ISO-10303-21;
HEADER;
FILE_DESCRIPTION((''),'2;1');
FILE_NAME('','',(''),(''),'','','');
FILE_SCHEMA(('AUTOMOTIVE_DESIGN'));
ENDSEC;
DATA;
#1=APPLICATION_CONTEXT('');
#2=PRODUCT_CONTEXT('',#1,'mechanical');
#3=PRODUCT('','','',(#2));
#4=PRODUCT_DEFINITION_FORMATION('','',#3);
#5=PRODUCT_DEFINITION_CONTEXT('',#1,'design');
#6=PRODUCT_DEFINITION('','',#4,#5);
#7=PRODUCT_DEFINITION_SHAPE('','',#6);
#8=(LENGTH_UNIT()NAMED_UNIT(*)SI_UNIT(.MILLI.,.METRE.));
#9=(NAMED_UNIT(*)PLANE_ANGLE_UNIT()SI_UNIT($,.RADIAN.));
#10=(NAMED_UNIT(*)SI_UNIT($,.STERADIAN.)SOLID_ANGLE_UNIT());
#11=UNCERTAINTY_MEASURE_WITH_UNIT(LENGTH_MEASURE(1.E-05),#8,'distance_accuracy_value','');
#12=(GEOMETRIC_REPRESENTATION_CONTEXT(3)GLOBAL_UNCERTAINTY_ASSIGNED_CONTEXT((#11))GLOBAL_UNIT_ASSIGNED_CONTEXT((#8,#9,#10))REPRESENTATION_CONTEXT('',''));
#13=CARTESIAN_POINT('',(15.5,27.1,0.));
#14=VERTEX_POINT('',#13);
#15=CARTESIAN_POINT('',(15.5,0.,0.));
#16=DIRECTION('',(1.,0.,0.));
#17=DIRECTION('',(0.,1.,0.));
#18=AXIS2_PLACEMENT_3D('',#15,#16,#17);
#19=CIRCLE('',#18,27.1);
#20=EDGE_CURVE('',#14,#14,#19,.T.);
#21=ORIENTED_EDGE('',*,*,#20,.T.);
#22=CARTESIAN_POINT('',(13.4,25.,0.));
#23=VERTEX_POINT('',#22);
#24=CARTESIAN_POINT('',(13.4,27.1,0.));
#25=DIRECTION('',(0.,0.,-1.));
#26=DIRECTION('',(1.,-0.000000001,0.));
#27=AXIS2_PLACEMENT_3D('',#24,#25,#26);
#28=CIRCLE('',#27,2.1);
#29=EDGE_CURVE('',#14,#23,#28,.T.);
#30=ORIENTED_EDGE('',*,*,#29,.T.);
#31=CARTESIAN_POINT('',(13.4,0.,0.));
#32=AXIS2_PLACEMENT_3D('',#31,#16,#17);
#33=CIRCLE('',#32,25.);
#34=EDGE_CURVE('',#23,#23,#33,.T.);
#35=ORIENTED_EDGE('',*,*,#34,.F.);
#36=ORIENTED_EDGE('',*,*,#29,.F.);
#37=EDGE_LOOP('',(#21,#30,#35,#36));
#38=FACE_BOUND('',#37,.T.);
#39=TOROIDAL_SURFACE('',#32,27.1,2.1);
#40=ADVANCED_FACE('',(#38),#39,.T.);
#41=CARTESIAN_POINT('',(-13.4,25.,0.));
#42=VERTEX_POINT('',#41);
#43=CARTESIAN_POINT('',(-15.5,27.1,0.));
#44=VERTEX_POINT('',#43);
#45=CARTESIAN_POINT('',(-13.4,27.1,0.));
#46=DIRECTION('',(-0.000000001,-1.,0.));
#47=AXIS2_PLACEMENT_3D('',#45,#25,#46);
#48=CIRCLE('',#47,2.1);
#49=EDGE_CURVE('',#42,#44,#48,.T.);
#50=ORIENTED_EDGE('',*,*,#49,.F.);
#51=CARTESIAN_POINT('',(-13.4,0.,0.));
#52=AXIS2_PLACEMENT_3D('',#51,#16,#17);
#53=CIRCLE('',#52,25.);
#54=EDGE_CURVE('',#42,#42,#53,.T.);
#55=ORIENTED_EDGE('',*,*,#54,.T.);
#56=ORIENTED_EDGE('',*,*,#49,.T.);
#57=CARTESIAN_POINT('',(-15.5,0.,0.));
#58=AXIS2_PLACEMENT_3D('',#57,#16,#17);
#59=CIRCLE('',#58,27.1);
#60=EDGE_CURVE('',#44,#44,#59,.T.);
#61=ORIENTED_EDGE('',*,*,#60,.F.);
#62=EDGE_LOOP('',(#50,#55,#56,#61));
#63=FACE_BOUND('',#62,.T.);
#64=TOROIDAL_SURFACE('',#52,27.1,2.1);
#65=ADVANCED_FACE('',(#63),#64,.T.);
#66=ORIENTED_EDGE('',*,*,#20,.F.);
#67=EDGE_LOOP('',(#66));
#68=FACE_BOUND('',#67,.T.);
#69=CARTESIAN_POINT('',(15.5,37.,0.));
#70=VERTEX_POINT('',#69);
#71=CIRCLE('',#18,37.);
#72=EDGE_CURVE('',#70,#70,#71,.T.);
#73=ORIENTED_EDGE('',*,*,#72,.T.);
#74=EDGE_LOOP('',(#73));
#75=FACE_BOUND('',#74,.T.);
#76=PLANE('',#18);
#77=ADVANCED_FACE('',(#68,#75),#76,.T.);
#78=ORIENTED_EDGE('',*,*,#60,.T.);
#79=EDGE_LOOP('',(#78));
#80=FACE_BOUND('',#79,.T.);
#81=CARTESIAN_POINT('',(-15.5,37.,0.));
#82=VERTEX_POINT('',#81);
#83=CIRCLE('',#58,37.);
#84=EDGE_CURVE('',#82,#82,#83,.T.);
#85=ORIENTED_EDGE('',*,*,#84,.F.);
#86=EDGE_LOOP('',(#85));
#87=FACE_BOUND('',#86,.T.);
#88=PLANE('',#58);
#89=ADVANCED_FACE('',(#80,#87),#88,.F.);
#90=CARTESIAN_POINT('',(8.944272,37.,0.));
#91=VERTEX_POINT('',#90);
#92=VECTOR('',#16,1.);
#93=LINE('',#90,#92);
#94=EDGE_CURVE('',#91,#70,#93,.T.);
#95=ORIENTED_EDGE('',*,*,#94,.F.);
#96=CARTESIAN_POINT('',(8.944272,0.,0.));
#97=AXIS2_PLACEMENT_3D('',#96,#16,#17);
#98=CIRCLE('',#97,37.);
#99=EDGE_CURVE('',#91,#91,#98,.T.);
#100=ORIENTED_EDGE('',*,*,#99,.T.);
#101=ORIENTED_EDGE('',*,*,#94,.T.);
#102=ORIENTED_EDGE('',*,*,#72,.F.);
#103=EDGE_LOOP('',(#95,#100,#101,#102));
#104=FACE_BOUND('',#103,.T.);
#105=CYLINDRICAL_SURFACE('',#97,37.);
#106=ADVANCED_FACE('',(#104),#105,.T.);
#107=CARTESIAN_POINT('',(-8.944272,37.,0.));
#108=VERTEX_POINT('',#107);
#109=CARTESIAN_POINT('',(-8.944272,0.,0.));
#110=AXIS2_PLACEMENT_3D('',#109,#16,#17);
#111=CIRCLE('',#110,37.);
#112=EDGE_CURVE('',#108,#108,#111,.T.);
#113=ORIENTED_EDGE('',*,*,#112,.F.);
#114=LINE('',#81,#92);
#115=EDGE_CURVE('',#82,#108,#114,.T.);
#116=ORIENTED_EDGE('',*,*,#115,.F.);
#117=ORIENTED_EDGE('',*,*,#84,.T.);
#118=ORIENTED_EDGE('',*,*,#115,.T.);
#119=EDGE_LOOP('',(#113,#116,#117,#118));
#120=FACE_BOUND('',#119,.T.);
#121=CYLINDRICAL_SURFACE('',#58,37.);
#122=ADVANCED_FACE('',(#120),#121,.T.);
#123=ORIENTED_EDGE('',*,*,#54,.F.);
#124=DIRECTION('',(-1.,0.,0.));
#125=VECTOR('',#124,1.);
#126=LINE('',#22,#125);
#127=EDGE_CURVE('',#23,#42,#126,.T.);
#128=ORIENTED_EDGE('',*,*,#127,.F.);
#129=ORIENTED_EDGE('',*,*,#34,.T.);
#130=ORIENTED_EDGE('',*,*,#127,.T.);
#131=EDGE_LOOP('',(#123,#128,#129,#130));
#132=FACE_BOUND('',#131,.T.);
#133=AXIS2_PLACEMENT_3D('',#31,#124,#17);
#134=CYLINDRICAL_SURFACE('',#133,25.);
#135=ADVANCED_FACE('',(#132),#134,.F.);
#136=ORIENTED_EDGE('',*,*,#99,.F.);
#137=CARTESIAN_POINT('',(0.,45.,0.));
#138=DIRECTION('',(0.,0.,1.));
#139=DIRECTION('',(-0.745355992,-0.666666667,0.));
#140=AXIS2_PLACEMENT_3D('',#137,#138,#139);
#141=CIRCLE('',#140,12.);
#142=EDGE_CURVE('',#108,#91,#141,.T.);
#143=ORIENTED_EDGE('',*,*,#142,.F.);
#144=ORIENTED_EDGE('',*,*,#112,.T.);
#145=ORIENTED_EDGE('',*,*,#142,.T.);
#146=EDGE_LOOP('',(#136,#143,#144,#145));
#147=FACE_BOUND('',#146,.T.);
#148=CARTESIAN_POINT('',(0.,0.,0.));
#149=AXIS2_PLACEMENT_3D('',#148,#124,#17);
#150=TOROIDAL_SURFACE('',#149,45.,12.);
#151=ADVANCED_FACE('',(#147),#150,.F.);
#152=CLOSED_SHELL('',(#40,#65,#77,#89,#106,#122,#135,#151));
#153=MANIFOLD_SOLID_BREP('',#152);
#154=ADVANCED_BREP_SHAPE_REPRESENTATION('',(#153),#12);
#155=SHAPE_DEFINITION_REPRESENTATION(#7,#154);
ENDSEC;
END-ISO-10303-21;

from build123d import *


with BuildPart() as part:
    # Sketch1 → Revolve1 (revolve)
    with BuildSketch(Plane.XY):
        with BuildLine():
            Line((8.94427191, 37), (15.5, 37))
            Line((15.5, 37), (15.5, 27.1))
            ThreePointArc((15.5, 27.1), (14.88492424, 25.61507576), (13.4, 25))
            Line((13.4, 25), (-13.4, 25))
            ThreePointArc((-13.4, 25), (-14.88492424, 25.61507576), (-15.5, 27.1))
            Line((-15.5, 27.1), (-15.5, 37))
            Line((-15.5, 37), (-8.94427191, 37))
            ThreePointArc((-8.94427191, 37), (0, 33), (8.94427191, 37))
        make_face()
    revolve(axis=Axis((-44.328053157, 0, 0), (1, 0, 0)))


solid = part.part
